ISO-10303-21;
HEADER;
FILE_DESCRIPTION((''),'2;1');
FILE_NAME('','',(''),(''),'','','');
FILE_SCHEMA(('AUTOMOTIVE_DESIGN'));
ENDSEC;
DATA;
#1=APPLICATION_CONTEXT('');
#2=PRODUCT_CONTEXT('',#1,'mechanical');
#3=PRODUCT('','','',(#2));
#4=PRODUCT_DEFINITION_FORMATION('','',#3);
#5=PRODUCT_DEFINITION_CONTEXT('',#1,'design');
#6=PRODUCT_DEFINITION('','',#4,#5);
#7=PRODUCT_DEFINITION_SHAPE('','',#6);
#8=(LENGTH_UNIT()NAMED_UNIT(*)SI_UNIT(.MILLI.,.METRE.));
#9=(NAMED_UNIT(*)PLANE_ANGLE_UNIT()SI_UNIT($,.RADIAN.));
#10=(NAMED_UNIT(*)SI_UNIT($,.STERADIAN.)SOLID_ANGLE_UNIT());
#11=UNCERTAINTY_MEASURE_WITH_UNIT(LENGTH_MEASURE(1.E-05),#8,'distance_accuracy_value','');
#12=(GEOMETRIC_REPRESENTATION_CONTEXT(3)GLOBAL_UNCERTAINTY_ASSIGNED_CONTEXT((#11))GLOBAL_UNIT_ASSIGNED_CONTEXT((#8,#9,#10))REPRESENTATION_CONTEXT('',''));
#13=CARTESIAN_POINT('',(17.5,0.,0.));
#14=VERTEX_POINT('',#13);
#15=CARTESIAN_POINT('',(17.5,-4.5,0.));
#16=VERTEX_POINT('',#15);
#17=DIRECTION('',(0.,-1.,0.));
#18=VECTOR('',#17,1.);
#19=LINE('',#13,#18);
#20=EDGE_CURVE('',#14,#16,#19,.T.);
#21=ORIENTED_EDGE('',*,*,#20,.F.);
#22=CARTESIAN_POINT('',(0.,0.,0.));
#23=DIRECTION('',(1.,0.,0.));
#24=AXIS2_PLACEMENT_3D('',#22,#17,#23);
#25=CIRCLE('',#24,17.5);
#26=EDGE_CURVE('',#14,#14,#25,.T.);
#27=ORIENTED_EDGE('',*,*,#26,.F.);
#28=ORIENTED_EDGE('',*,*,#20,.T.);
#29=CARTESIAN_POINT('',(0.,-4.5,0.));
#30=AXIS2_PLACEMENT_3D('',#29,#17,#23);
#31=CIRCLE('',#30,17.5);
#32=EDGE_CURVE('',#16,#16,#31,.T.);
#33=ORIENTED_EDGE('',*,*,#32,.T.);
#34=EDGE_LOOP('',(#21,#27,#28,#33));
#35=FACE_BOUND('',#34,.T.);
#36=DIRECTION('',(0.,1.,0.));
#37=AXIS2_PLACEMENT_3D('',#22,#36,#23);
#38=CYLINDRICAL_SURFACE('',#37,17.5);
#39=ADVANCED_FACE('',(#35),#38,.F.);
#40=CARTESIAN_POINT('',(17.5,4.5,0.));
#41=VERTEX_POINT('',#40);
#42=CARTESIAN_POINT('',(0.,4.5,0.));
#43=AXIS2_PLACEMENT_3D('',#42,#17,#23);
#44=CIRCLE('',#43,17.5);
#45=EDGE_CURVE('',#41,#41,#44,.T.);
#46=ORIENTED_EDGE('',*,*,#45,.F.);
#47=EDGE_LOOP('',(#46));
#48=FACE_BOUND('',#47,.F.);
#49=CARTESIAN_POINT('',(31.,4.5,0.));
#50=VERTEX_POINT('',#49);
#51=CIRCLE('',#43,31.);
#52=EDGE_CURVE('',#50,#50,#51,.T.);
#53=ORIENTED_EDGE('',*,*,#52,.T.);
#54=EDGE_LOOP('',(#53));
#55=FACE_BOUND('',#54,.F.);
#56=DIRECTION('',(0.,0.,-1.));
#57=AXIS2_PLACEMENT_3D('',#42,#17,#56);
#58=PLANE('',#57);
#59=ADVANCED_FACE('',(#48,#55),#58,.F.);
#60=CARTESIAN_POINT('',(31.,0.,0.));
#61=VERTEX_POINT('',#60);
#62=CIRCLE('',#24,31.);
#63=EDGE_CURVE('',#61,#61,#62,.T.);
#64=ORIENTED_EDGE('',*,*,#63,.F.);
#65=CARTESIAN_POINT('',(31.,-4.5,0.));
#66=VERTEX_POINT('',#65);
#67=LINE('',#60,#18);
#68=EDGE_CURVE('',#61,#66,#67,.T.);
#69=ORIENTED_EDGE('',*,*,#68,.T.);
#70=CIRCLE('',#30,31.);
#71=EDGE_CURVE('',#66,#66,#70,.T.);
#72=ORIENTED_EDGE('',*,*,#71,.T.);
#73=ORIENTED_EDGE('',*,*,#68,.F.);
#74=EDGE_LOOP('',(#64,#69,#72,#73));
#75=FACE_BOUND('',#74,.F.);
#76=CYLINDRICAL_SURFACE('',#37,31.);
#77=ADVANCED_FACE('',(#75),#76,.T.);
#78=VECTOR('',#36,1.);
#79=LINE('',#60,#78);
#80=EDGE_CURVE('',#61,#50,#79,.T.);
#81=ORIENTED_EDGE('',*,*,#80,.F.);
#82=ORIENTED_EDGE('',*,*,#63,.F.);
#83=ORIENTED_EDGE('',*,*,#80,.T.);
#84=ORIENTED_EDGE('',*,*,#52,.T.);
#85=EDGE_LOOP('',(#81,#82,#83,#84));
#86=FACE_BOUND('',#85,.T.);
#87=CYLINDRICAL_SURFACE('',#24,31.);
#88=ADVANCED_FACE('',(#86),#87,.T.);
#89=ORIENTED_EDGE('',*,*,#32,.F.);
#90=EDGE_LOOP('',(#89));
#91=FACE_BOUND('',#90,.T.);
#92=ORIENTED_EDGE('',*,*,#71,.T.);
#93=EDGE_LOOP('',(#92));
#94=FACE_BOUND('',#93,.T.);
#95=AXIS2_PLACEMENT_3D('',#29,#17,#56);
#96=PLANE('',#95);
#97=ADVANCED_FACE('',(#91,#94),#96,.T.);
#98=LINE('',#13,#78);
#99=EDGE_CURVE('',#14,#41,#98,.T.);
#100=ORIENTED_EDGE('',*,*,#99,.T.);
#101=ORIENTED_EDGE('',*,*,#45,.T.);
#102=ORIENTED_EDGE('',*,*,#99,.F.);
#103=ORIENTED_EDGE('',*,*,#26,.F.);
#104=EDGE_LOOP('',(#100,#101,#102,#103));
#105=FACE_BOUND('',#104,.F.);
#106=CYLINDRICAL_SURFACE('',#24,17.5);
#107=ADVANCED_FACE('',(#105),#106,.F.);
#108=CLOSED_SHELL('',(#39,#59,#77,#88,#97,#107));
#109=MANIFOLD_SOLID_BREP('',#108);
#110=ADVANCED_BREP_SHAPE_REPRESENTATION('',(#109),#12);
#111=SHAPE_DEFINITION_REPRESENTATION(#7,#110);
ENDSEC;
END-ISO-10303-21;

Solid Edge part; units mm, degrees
sketch "Sketch1" plane through (0, 0, 0) normal (0, -1, 0) x (1, 0, 0)
  circle A0 centre (0, 0) radius 17.5
  circle A1 centre (0, 0) radius 31
extrude "Protrusion1" add sketch "Sketch1" along normal mid plane 9
